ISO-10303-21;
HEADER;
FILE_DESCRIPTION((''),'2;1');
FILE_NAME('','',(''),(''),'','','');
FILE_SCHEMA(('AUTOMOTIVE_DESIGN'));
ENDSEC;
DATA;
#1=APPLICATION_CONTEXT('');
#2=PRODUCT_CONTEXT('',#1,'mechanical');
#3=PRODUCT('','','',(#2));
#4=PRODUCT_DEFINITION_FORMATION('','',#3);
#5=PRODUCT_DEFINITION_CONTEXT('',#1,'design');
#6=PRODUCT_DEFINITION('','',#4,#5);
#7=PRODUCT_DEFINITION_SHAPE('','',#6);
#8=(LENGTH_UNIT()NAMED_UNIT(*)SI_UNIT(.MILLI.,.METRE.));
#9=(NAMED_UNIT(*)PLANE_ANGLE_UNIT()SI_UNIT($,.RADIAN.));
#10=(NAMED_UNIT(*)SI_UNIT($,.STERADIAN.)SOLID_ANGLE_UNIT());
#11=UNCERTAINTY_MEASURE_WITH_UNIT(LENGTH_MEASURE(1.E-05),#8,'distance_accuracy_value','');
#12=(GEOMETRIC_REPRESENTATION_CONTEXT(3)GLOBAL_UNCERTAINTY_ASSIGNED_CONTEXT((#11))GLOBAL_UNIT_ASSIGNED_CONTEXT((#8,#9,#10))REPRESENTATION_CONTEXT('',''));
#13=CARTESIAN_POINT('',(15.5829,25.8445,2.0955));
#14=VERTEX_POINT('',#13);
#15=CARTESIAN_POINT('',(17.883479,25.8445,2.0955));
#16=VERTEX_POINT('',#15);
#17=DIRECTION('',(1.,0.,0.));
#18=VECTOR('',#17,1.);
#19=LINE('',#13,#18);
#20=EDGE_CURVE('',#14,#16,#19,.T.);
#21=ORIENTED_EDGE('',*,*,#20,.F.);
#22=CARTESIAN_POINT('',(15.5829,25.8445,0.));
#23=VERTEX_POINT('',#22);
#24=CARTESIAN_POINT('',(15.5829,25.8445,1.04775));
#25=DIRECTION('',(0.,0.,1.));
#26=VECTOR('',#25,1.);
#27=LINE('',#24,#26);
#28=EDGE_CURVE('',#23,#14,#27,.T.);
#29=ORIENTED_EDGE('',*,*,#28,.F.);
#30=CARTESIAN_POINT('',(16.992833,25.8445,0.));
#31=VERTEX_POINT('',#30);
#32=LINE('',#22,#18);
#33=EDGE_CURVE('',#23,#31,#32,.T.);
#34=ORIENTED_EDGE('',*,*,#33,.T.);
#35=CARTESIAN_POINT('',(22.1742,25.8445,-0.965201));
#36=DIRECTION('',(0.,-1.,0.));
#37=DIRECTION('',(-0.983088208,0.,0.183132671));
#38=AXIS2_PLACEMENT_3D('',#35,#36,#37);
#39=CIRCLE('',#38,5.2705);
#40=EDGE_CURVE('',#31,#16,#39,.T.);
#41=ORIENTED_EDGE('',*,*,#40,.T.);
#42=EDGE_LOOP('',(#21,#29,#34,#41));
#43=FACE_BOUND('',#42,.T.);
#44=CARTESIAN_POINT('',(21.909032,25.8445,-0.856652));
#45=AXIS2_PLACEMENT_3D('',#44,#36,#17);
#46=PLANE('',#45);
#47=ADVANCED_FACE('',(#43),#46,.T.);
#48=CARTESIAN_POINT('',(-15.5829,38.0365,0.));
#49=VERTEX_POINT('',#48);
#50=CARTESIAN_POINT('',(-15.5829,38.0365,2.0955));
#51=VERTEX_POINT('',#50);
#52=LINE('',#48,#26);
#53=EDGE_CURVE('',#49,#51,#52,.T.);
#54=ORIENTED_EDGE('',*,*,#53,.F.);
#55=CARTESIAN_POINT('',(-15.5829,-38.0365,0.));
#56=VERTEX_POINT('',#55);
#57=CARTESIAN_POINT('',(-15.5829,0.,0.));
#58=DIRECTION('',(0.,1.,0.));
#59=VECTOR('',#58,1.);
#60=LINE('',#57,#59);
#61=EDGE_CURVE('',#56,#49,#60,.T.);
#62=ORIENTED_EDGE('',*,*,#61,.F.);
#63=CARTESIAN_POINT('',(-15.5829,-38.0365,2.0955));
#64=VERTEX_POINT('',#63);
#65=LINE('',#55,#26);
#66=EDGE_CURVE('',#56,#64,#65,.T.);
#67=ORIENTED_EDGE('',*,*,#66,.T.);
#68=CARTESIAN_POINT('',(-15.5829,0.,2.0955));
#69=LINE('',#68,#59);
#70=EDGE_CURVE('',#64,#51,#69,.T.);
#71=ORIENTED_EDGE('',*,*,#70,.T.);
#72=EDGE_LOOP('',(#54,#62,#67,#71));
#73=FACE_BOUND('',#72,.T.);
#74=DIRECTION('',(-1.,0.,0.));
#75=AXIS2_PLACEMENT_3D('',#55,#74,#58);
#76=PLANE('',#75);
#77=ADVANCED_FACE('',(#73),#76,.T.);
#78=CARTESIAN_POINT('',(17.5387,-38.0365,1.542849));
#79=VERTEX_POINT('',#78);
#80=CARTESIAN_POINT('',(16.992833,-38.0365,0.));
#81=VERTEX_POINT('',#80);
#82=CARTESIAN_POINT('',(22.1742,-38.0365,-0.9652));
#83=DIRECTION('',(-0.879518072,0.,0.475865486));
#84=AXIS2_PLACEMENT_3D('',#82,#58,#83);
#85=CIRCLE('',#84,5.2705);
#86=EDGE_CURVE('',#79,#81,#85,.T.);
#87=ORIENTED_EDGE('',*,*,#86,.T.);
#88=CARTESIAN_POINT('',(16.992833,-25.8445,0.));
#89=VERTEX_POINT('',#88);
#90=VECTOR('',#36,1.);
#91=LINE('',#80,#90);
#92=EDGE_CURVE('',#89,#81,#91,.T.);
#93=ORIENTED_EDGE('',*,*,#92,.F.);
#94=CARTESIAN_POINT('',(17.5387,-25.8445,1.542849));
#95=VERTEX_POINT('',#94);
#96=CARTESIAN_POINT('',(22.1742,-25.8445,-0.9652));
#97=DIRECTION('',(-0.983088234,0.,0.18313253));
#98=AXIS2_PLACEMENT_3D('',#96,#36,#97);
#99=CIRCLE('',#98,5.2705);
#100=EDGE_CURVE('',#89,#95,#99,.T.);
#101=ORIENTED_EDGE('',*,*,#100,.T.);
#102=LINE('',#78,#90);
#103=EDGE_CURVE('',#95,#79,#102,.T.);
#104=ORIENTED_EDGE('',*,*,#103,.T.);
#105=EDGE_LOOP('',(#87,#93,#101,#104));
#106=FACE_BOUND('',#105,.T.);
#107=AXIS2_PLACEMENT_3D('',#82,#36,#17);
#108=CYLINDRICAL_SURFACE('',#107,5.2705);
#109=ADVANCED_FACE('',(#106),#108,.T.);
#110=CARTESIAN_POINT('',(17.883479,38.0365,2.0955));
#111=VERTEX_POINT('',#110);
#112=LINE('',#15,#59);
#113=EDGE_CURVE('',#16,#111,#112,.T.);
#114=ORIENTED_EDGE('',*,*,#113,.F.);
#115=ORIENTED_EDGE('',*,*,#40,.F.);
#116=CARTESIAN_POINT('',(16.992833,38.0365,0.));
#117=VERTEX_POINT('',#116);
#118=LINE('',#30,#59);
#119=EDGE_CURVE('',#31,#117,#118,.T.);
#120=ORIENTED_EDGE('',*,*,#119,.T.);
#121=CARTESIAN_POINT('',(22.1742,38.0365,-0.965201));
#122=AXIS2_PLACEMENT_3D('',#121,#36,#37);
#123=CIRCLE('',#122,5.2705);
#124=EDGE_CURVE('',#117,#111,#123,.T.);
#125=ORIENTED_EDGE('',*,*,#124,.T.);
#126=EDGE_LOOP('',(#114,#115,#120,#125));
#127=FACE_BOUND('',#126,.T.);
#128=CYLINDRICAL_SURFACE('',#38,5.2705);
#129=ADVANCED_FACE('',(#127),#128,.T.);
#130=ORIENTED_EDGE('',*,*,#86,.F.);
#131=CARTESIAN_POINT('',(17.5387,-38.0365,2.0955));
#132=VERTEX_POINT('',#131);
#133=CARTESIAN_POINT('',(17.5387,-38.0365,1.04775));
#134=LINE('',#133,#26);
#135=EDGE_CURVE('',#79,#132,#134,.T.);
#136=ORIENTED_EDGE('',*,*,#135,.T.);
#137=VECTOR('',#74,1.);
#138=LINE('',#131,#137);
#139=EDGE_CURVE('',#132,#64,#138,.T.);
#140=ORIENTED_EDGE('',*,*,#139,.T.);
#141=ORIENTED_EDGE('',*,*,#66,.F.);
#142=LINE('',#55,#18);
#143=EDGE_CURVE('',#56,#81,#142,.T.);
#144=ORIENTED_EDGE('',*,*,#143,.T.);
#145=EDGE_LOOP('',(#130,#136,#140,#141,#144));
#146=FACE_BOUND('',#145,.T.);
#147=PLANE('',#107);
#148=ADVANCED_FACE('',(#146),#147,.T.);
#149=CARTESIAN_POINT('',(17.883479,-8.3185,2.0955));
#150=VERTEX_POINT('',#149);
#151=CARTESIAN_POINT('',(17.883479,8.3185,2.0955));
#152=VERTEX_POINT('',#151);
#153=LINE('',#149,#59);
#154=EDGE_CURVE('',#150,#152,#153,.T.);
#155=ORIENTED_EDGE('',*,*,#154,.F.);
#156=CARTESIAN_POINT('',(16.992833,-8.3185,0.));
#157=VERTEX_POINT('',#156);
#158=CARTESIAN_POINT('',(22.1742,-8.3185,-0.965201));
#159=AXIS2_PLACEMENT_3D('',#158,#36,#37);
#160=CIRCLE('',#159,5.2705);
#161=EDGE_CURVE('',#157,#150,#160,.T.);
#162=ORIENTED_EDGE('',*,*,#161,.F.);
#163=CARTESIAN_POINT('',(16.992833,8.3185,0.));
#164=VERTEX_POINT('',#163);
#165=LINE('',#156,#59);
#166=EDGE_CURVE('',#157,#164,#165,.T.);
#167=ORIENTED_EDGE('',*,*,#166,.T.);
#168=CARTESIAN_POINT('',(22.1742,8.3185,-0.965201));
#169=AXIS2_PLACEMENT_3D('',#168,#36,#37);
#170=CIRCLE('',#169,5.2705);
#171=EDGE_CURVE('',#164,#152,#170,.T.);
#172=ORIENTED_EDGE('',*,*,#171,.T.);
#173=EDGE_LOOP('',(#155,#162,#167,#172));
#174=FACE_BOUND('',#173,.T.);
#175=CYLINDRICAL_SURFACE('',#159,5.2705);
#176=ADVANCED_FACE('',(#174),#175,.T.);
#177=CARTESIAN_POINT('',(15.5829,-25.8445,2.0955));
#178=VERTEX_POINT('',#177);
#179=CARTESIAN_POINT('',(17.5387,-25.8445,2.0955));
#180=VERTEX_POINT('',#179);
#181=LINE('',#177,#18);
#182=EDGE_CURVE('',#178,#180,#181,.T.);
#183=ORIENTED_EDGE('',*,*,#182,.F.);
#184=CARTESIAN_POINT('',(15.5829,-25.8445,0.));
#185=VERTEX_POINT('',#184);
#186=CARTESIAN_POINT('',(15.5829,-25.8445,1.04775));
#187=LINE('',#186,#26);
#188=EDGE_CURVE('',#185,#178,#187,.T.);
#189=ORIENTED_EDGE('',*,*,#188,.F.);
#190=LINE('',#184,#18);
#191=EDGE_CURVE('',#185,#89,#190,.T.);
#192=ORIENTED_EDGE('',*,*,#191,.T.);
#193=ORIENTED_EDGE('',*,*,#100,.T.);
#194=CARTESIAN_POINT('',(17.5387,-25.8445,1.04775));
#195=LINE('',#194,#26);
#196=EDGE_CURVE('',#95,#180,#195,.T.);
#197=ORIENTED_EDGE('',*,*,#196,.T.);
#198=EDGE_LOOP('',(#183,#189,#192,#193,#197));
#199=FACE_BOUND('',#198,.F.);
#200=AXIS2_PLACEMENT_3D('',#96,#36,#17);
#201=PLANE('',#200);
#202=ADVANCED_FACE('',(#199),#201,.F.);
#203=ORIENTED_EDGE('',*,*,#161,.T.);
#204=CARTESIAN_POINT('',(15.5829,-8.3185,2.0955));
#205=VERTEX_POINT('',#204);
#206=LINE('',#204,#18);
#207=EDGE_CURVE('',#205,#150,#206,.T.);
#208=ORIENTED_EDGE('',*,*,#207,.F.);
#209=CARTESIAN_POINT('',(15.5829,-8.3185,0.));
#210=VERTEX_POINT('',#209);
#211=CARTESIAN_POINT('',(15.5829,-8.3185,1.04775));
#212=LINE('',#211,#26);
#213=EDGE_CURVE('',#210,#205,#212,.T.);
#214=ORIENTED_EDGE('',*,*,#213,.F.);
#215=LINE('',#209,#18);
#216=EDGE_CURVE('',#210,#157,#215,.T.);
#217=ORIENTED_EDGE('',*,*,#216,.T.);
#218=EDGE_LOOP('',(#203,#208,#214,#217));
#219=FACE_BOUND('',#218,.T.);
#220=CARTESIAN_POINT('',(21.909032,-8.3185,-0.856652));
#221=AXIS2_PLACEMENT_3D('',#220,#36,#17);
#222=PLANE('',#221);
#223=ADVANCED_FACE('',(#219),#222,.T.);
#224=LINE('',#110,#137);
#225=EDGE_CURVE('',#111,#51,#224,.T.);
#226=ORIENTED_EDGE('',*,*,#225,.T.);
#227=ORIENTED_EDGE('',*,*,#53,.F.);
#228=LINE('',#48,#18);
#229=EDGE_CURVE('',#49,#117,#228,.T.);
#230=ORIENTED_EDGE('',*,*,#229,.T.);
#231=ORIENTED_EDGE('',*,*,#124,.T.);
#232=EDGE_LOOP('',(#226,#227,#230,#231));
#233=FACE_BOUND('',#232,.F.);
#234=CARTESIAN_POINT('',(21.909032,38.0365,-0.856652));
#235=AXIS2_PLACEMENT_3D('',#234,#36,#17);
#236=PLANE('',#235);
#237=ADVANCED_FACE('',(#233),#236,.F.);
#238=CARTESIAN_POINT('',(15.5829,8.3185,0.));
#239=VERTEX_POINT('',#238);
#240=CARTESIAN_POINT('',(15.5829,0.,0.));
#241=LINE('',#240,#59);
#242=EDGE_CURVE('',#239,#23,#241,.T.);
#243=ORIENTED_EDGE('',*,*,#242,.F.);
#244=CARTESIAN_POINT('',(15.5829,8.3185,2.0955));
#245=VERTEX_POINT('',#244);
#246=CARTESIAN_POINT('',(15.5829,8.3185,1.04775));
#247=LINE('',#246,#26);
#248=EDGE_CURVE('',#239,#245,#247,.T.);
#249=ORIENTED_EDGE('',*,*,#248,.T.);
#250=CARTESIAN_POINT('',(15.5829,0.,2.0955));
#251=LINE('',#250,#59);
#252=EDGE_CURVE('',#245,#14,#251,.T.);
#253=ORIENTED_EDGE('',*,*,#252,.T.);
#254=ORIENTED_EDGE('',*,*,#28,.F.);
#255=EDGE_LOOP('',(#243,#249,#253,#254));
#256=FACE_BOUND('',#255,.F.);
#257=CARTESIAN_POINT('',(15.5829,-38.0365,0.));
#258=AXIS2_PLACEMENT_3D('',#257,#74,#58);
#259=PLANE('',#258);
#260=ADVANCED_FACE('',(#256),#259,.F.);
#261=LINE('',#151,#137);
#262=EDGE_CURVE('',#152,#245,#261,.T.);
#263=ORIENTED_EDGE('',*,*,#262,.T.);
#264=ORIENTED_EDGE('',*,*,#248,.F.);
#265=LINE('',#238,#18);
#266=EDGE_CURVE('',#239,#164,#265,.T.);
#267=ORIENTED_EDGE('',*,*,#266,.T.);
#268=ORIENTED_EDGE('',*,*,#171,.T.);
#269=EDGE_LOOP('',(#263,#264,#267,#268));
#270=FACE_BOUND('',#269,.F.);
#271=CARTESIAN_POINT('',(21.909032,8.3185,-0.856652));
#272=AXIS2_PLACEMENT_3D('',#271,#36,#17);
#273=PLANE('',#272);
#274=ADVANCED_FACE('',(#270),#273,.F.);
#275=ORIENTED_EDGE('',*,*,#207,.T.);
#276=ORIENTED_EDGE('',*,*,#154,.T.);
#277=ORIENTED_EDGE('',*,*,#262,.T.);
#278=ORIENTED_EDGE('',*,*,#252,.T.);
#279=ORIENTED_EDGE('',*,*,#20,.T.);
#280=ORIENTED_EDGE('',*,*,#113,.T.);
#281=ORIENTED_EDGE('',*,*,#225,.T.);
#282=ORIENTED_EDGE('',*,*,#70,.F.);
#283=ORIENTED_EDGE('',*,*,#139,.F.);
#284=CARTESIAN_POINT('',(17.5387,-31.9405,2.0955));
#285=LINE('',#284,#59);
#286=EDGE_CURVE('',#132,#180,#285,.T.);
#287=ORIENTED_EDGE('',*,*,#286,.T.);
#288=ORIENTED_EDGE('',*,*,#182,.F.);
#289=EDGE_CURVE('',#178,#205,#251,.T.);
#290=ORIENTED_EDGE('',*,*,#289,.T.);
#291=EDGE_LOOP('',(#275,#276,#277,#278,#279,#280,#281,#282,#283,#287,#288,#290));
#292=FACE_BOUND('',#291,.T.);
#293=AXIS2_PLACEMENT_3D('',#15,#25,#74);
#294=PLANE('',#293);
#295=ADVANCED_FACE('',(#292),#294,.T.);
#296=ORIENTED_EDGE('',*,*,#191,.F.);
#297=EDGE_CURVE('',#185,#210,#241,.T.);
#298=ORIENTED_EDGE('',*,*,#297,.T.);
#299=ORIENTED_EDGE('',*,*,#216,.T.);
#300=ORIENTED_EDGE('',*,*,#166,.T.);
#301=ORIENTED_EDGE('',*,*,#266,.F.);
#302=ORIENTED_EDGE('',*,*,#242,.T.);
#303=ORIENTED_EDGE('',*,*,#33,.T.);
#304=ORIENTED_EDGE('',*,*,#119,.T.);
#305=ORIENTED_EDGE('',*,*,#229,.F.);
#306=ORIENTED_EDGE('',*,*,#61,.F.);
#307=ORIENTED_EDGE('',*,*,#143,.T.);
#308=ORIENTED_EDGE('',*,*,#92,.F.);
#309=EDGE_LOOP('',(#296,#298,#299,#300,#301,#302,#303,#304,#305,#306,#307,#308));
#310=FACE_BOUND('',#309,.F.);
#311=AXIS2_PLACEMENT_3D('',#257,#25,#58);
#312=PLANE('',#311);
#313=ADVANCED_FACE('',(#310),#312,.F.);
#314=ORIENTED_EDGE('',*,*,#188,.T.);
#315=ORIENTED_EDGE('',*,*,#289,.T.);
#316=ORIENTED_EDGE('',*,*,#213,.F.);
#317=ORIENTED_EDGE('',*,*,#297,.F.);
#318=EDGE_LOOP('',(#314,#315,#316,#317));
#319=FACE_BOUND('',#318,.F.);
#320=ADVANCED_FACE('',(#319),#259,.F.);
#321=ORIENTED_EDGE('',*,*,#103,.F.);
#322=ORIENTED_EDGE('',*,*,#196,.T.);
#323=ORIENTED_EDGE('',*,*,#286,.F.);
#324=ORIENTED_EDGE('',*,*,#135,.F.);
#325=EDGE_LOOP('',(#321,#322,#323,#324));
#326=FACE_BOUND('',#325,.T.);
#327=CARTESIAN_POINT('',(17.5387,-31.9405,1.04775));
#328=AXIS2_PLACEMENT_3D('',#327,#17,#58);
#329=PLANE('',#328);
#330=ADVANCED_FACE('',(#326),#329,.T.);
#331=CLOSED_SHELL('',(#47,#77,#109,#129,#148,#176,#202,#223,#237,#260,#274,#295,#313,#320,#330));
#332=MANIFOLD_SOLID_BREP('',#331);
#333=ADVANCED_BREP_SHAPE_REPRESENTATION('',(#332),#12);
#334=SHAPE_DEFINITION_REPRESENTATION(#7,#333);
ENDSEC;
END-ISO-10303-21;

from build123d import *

# Parameters (mm, degrees)
F0_W     = 31.1658
F0_H     = 76.073
F1_DEPTH = 2.0955
F2_W     = 12.192
F2_H     = 2.0955
F2_W_2   = 16.637
F3_DEPTH = 1.9558
F4_R     = 5.2705
F5_DEPTH = 12.192
F7_DEPTH = 16.637
F9_DEPTH = 12.192


with BuildPart() as f1:
    # F0 (on Top) → F1 (new body)
    with BuildSketch(Plane.XY):
        Rectangle(F0_W, F0_H)
    extrude(amount=F1_DEPTH)

    # F2 (on face) → F3 (join)
    with BuildSketch(Plane.YZ.offset(15.5829)):
        with Locations((-31.9405, 1.04775)):
            Rectangle(F2_W, F2_H)
        with Locations((0, 1.04775)):
            Rectangle(F2_W_2, F2_H)
        with Locations((31.9405, 1.04775)):
            Rectangle(F2_W, F2_H)
    extrude(amount=F3_DEPTH)

    # F4 (on face) → F5 (join, through all)
    with BuildSketch(Plane.XZ.offset(38.0365)):
        with Locations((22.1742, -0.9652)):
            Circle(F4_R)
    extrude(amount=-F5_DEPTH)

    # F6 (on face) → F7 (join, through all)
    with BuildSketch(Plane.XZ.offset(8.3185)):
        with BuildLine():
            Line((17.5387, 0), (16.992833, 0))
            ThreePointArc((16.992833, 0), (27.024756, -3.026821), (17.883479, 2.0955))
            Line((17.883479, 2.0955), (17.5387, 2.0955))
            Line((17.5387, 2.0955), (17.5387, 0))
        make_face()
    extrude(amount=-F7_DEPTH)

    # F8 (on face) → F9 (join, through all)
    with BuildSketch(Plane.XZ.offset(-25.8445)):
        with BuildLine():
            Line((17.5387, 0), (16.992833, 0))
            ThreePointArc((16.992833, 0), (27.024756, -3.026821), (17.883479, 2.0955))
            Line((17.883479, 2.0955), (17.5387, 2.0955))
            Line((17.5387, 2.0955), (17.5387, 0))
        make_face()
    extrude(amount=-F9_DEPTH)


solid = f1.part
